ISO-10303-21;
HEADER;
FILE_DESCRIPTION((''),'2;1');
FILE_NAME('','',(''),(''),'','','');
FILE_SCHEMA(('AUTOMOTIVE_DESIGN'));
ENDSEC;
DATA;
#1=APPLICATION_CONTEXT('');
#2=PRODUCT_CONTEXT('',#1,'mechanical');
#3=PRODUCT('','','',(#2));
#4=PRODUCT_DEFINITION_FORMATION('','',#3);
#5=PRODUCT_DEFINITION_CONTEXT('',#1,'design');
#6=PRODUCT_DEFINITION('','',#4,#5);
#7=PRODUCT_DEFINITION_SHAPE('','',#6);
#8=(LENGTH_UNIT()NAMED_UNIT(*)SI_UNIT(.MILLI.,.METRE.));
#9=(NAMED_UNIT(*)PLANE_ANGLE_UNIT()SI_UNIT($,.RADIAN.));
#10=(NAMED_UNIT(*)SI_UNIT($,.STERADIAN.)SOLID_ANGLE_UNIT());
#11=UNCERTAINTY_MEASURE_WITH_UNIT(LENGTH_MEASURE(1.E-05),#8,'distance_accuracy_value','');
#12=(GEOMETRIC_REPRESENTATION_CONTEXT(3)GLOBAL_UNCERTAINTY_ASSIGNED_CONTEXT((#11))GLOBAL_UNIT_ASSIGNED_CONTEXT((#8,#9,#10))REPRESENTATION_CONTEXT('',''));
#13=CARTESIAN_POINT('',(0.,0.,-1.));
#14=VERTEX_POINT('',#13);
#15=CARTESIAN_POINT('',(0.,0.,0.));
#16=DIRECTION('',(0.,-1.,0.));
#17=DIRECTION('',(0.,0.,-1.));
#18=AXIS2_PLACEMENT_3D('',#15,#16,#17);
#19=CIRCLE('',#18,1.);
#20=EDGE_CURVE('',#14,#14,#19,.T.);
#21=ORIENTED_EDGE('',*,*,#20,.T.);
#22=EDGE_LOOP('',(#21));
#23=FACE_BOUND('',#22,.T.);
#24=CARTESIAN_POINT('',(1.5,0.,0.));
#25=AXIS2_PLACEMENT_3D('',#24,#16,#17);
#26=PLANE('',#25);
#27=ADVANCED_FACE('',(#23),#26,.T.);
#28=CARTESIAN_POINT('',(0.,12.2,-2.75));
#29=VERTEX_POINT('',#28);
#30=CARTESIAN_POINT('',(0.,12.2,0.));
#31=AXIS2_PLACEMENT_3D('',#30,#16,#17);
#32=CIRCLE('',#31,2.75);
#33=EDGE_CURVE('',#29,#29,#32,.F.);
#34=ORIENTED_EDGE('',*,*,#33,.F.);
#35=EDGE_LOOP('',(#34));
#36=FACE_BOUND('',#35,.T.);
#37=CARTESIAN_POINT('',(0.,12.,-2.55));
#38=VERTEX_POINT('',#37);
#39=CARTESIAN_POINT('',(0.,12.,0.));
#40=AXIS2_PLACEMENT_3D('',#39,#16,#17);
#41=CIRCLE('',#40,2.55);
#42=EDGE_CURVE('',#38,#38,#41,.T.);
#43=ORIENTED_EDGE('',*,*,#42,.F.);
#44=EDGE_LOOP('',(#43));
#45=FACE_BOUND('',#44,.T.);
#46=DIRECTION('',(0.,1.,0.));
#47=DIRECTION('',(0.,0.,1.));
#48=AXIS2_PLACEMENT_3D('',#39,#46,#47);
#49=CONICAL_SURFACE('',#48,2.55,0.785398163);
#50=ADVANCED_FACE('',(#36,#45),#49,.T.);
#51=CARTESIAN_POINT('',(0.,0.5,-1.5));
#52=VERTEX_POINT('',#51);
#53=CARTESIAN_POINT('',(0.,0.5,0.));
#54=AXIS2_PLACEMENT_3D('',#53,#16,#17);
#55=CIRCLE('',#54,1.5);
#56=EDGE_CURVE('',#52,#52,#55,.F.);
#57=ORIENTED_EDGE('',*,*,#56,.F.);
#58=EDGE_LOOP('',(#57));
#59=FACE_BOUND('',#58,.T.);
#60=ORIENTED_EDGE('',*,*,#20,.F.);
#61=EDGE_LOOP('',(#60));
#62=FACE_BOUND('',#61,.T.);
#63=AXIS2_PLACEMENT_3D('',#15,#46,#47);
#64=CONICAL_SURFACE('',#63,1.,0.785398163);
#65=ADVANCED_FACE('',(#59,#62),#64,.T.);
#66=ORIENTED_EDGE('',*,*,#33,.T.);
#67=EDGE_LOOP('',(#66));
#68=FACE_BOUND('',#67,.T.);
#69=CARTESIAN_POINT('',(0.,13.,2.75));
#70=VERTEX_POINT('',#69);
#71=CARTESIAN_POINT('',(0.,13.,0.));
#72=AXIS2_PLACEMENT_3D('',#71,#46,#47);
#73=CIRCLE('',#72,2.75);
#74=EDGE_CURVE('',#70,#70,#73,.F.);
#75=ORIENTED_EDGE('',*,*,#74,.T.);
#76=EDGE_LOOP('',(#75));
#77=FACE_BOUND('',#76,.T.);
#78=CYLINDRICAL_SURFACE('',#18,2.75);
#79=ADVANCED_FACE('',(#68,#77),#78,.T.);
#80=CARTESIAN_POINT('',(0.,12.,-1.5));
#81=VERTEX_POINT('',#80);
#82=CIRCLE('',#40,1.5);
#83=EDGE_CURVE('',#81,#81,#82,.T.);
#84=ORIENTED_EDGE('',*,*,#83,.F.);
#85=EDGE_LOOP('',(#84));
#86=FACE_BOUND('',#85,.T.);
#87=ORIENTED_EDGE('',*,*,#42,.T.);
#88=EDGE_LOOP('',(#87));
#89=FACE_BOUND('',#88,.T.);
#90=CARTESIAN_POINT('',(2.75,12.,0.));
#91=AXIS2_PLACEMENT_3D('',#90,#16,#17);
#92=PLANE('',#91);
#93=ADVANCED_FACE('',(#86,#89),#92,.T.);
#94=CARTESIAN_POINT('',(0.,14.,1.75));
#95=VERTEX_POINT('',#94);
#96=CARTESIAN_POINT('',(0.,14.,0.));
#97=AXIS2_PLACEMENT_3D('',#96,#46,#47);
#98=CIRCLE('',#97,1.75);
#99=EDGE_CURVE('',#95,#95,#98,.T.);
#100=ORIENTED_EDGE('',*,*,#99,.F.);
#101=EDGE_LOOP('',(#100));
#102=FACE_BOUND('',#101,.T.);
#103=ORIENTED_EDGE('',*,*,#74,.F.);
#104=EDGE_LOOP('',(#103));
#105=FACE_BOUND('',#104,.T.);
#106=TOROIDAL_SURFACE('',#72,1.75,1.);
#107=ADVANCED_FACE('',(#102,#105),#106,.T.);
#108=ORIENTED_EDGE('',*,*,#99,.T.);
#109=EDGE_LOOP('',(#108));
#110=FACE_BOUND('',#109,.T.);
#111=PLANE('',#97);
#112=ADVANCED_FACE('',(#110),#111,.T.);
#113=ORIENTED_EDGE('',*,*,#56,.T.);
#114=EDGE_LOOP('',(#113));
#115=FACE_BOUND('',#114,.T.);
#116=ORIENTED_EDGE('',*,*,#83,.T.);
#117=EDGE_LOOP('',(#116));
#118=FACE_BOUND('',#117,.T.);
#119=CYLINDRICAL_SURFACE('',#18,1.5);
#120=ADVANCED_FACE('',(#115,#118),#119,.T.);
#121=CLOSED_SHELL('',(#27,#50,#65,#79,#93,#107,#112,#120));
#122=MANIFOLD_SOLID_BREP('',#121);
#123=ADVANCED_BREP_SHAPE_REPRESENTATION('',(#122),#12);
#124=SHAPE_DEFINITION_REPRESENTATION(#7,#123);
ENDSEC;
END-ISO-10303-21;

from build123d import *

# Parameters (mm, degrees)
FILLET1_R     = 1
CHAMFER1_SIZE = 0.5
CHAMFER2_SIZE = 0.2


with BuildPart() as part:
    # Sketch1 → Revolve1 (revolve)
    with BuildSketch(Plane.XY, mode=Mode.PRIVATE) as revolve1_sk:
        Polygon((0, 0), (0, 14), (2.75, 14), (2.75, 12), (1.5, 12), (1.5, 0), align=None)
    revolve(revolve1_sk.sketch.rotate(Axis((0, 0, 0), (0, 1, 0)), 90), axis=Axis((0, 0, 0), (0, 1, 0)))

    # Fillet1
    fillet1_edges = [part.edges().sort_by_distance(p)[0] for p in [
        (0, 14, 2.75),
    ]]
    fillet(fillet1_edges, radius=FILLET1_R)

    # Chamfer1
    chamfer1_edges = [part.edges().sort_by_distance(p)[0] for p in [
        (0, 0, 1.5),
    ]]
    chamfer(chamfer1_edges, length=CHAMFER1_SIZE)

    # Chamfer2
    chamfer2_edges = [part.edges().sort_by_distance(p)[0] for p in [
        (0, 12, 2.75),
    ]]
    chamfer(chamfer2_edges, length=CHAMFER2_SIZE)


solid = part.part
